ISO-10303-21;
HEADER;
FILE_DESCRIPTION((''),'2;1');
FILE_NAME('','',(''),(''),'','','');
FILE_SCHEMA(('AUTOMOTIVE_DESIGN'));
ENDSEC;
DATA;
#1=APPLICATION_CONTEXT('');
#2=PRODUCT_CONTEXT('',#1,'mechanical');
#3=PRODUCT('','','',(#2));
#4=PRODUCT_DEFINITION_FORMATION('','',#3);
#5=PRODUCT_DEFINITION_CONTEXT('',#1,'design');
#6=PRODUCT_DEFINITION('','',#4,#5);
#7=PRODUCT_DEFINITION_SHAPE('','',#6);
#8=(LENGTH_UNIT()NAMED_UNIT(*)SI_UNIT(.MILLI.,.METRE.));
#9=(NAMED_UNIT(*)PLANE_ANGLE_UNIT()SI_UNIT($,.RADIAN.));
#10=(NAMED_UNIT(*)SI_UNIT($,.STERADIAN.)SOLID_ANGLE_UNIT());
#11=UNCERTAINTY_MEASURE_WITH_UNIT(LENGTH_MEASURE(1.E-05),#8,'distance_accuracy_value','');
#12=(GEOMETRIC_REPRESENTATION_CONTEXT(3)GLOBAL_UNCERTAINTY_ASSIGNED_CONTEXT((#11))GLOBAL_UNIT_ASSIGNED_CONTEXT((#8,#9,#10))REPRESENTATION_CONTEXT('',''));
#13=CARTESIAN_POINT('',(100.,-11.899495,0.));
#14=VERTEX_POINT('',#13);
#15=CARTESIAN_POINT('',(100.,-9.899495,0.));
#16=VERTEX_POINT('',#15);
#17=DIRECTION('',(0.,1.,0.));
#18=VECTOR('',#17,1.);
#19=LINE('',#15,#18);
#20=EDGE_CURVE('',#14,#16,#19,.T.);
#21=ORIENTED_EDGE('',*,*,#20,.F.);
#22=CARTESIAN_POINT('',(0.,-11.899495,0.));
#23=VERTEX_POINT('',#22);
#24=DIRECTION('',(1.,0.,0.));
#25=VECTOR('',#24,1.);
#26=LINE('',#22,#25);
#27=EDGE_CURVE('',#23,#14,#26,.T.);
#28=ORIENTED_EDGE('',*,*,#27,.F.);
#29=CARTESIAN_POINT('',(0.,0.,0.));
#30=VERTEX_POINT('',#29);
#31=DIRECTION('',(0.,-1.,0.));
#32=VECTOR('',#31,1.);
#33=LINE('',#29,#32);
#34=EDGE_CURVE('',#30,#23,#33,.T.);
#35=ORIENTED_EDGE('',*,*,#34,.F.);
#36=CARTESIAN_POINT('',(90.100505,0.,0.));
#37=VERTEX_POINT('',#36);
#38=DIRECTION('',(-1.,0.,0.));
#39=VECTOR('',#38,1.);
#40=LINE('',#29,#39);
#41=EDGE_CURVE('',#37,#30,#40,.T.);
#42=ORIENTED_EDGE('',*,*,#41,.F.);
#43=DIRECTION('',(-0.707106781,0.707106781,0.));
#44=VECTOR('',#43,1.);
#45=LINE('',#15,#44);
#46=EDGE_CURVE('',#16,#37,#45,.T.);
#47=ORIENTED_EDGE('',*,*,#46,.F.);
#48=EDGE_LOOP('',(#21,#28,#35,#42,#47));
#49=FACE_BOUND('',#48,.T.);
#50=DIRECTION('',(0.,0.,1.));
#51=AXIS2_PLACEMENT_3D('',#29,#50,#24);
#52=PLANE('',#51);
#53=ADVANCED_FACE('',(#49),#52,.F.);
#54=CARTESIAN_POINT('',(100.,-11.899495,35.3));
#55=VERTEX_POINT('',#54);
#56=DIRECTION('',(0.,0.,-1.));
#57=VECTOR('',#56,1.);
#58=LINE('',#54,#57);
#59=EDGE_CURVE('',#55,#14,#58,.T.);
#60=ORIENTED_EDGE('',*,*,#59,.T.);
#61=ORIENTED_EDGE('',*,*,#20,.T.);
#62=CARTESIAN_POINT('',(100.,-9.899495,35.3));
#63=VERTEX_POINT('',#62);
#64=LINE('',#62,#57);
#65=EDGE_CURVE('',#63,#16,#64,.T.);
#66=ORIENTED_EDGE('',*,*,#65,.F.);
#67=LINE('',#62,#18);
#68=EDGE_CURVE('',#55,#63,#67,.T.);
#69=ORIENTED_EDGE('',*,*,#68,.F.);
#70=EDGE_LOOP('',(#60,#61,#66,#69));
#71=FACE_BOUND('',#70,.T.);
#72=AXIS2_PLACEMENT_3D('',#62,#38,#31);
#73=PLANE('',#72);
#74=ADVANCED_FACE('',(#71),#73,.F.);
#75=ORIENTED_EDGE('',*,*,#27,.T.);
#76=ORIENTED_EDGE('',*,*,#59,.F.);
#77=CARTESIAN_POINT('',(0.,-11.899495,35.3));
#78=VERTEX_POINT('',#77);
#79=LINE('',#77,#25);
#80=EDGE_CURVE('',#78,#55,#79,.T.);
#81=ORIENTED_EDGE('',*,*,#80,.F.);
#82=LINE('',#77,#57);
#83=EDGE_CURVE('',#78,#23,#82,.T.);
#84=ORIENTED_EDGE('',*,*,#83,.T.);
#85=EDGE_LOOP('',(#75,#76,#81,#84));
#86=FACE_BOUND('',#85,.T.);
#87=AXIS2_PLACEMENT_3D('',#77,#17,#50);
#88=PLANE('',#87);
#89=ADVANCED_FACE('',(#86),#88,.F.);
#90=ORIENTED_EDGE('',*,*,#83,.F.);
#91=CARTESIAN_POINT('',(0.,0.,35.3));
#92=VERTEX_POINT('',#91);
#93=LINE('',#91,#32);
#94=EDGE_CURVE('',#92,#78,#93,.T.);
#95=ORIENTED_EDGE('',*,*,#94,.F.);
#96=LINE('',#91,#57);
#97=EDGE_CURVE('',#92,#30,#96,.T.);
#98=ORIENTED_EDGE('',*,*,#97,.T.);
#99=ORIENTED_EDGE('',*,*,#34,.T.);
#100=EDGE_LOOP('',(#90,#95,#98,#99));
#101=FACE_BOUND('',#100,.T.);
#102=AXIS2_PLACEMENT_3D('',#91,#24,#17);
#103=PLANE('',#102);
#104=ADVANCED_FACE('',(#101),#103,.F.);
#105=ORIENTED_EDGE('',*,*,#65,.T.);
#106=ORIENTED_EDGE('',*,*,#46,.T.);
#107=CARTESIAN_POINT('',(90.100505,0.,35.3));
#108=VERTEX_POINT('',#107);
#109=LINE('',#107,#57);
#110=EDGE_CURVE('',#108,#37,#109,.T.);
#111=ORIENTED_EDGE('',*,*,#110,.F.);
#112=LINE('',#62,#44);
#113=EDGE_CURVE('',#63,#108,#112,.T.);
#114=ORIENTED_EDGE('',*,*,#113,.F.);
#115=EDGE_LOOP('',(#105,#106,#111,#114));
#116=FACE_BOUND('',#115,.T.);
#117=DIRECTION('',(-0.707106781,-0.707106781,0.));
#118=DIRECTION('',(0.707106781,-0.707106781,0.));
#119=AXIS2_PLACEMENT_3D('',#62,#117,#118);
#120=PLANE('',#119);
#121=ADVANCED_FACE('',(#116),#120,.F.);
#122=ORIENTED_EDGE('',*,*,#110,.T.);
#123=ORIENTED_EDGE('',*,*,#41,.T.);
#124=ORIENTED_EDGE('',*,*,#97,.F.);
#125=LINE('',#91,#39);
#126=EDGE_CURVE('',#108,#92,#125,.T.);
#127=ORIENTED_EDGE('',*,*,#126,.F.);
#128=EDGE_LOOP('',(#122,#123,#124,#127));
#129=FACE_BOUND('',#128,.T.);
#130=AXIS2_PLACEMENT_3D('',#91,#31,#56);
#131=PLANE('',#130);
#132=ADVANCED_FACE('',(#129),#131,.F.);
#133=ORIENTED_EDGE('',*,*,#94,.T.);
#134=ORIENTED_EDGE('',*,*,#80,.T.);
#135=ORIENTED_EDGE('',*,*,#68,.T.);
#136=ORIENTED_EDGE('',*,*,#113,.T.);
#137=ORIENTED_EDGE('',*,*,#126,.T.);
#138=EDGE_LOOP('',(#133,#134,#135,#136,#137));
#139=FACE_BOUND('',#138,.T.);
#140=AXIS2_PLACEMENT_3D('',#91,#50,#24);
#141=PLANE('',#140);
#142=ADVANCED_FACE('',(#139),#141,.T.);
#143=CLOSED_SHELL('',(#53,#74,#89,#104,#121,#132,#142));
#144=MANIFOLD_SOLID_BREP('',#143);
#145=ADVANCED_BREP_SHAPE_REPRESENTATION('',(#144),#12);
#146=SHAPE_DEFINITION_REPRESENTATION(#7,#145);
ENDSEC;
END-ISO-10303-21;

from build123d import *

# Parameters (mm, degrees)
BOSS_EXTRUDE1_DEPTH = 35.3


with BuildPart() as part:
    # Sketch1 → Boss-Extrude1 (new body)
    with BuildSketch(Plane.XY):
        Polygon((100, -9.899494937), (90.100505063, 0), (0, 0), (0, -11.899494937), (100, -11.899494937), align=None)
    extrude(amount=BOSS_EXTRUDE1_DEPTH)


solid = part.part
